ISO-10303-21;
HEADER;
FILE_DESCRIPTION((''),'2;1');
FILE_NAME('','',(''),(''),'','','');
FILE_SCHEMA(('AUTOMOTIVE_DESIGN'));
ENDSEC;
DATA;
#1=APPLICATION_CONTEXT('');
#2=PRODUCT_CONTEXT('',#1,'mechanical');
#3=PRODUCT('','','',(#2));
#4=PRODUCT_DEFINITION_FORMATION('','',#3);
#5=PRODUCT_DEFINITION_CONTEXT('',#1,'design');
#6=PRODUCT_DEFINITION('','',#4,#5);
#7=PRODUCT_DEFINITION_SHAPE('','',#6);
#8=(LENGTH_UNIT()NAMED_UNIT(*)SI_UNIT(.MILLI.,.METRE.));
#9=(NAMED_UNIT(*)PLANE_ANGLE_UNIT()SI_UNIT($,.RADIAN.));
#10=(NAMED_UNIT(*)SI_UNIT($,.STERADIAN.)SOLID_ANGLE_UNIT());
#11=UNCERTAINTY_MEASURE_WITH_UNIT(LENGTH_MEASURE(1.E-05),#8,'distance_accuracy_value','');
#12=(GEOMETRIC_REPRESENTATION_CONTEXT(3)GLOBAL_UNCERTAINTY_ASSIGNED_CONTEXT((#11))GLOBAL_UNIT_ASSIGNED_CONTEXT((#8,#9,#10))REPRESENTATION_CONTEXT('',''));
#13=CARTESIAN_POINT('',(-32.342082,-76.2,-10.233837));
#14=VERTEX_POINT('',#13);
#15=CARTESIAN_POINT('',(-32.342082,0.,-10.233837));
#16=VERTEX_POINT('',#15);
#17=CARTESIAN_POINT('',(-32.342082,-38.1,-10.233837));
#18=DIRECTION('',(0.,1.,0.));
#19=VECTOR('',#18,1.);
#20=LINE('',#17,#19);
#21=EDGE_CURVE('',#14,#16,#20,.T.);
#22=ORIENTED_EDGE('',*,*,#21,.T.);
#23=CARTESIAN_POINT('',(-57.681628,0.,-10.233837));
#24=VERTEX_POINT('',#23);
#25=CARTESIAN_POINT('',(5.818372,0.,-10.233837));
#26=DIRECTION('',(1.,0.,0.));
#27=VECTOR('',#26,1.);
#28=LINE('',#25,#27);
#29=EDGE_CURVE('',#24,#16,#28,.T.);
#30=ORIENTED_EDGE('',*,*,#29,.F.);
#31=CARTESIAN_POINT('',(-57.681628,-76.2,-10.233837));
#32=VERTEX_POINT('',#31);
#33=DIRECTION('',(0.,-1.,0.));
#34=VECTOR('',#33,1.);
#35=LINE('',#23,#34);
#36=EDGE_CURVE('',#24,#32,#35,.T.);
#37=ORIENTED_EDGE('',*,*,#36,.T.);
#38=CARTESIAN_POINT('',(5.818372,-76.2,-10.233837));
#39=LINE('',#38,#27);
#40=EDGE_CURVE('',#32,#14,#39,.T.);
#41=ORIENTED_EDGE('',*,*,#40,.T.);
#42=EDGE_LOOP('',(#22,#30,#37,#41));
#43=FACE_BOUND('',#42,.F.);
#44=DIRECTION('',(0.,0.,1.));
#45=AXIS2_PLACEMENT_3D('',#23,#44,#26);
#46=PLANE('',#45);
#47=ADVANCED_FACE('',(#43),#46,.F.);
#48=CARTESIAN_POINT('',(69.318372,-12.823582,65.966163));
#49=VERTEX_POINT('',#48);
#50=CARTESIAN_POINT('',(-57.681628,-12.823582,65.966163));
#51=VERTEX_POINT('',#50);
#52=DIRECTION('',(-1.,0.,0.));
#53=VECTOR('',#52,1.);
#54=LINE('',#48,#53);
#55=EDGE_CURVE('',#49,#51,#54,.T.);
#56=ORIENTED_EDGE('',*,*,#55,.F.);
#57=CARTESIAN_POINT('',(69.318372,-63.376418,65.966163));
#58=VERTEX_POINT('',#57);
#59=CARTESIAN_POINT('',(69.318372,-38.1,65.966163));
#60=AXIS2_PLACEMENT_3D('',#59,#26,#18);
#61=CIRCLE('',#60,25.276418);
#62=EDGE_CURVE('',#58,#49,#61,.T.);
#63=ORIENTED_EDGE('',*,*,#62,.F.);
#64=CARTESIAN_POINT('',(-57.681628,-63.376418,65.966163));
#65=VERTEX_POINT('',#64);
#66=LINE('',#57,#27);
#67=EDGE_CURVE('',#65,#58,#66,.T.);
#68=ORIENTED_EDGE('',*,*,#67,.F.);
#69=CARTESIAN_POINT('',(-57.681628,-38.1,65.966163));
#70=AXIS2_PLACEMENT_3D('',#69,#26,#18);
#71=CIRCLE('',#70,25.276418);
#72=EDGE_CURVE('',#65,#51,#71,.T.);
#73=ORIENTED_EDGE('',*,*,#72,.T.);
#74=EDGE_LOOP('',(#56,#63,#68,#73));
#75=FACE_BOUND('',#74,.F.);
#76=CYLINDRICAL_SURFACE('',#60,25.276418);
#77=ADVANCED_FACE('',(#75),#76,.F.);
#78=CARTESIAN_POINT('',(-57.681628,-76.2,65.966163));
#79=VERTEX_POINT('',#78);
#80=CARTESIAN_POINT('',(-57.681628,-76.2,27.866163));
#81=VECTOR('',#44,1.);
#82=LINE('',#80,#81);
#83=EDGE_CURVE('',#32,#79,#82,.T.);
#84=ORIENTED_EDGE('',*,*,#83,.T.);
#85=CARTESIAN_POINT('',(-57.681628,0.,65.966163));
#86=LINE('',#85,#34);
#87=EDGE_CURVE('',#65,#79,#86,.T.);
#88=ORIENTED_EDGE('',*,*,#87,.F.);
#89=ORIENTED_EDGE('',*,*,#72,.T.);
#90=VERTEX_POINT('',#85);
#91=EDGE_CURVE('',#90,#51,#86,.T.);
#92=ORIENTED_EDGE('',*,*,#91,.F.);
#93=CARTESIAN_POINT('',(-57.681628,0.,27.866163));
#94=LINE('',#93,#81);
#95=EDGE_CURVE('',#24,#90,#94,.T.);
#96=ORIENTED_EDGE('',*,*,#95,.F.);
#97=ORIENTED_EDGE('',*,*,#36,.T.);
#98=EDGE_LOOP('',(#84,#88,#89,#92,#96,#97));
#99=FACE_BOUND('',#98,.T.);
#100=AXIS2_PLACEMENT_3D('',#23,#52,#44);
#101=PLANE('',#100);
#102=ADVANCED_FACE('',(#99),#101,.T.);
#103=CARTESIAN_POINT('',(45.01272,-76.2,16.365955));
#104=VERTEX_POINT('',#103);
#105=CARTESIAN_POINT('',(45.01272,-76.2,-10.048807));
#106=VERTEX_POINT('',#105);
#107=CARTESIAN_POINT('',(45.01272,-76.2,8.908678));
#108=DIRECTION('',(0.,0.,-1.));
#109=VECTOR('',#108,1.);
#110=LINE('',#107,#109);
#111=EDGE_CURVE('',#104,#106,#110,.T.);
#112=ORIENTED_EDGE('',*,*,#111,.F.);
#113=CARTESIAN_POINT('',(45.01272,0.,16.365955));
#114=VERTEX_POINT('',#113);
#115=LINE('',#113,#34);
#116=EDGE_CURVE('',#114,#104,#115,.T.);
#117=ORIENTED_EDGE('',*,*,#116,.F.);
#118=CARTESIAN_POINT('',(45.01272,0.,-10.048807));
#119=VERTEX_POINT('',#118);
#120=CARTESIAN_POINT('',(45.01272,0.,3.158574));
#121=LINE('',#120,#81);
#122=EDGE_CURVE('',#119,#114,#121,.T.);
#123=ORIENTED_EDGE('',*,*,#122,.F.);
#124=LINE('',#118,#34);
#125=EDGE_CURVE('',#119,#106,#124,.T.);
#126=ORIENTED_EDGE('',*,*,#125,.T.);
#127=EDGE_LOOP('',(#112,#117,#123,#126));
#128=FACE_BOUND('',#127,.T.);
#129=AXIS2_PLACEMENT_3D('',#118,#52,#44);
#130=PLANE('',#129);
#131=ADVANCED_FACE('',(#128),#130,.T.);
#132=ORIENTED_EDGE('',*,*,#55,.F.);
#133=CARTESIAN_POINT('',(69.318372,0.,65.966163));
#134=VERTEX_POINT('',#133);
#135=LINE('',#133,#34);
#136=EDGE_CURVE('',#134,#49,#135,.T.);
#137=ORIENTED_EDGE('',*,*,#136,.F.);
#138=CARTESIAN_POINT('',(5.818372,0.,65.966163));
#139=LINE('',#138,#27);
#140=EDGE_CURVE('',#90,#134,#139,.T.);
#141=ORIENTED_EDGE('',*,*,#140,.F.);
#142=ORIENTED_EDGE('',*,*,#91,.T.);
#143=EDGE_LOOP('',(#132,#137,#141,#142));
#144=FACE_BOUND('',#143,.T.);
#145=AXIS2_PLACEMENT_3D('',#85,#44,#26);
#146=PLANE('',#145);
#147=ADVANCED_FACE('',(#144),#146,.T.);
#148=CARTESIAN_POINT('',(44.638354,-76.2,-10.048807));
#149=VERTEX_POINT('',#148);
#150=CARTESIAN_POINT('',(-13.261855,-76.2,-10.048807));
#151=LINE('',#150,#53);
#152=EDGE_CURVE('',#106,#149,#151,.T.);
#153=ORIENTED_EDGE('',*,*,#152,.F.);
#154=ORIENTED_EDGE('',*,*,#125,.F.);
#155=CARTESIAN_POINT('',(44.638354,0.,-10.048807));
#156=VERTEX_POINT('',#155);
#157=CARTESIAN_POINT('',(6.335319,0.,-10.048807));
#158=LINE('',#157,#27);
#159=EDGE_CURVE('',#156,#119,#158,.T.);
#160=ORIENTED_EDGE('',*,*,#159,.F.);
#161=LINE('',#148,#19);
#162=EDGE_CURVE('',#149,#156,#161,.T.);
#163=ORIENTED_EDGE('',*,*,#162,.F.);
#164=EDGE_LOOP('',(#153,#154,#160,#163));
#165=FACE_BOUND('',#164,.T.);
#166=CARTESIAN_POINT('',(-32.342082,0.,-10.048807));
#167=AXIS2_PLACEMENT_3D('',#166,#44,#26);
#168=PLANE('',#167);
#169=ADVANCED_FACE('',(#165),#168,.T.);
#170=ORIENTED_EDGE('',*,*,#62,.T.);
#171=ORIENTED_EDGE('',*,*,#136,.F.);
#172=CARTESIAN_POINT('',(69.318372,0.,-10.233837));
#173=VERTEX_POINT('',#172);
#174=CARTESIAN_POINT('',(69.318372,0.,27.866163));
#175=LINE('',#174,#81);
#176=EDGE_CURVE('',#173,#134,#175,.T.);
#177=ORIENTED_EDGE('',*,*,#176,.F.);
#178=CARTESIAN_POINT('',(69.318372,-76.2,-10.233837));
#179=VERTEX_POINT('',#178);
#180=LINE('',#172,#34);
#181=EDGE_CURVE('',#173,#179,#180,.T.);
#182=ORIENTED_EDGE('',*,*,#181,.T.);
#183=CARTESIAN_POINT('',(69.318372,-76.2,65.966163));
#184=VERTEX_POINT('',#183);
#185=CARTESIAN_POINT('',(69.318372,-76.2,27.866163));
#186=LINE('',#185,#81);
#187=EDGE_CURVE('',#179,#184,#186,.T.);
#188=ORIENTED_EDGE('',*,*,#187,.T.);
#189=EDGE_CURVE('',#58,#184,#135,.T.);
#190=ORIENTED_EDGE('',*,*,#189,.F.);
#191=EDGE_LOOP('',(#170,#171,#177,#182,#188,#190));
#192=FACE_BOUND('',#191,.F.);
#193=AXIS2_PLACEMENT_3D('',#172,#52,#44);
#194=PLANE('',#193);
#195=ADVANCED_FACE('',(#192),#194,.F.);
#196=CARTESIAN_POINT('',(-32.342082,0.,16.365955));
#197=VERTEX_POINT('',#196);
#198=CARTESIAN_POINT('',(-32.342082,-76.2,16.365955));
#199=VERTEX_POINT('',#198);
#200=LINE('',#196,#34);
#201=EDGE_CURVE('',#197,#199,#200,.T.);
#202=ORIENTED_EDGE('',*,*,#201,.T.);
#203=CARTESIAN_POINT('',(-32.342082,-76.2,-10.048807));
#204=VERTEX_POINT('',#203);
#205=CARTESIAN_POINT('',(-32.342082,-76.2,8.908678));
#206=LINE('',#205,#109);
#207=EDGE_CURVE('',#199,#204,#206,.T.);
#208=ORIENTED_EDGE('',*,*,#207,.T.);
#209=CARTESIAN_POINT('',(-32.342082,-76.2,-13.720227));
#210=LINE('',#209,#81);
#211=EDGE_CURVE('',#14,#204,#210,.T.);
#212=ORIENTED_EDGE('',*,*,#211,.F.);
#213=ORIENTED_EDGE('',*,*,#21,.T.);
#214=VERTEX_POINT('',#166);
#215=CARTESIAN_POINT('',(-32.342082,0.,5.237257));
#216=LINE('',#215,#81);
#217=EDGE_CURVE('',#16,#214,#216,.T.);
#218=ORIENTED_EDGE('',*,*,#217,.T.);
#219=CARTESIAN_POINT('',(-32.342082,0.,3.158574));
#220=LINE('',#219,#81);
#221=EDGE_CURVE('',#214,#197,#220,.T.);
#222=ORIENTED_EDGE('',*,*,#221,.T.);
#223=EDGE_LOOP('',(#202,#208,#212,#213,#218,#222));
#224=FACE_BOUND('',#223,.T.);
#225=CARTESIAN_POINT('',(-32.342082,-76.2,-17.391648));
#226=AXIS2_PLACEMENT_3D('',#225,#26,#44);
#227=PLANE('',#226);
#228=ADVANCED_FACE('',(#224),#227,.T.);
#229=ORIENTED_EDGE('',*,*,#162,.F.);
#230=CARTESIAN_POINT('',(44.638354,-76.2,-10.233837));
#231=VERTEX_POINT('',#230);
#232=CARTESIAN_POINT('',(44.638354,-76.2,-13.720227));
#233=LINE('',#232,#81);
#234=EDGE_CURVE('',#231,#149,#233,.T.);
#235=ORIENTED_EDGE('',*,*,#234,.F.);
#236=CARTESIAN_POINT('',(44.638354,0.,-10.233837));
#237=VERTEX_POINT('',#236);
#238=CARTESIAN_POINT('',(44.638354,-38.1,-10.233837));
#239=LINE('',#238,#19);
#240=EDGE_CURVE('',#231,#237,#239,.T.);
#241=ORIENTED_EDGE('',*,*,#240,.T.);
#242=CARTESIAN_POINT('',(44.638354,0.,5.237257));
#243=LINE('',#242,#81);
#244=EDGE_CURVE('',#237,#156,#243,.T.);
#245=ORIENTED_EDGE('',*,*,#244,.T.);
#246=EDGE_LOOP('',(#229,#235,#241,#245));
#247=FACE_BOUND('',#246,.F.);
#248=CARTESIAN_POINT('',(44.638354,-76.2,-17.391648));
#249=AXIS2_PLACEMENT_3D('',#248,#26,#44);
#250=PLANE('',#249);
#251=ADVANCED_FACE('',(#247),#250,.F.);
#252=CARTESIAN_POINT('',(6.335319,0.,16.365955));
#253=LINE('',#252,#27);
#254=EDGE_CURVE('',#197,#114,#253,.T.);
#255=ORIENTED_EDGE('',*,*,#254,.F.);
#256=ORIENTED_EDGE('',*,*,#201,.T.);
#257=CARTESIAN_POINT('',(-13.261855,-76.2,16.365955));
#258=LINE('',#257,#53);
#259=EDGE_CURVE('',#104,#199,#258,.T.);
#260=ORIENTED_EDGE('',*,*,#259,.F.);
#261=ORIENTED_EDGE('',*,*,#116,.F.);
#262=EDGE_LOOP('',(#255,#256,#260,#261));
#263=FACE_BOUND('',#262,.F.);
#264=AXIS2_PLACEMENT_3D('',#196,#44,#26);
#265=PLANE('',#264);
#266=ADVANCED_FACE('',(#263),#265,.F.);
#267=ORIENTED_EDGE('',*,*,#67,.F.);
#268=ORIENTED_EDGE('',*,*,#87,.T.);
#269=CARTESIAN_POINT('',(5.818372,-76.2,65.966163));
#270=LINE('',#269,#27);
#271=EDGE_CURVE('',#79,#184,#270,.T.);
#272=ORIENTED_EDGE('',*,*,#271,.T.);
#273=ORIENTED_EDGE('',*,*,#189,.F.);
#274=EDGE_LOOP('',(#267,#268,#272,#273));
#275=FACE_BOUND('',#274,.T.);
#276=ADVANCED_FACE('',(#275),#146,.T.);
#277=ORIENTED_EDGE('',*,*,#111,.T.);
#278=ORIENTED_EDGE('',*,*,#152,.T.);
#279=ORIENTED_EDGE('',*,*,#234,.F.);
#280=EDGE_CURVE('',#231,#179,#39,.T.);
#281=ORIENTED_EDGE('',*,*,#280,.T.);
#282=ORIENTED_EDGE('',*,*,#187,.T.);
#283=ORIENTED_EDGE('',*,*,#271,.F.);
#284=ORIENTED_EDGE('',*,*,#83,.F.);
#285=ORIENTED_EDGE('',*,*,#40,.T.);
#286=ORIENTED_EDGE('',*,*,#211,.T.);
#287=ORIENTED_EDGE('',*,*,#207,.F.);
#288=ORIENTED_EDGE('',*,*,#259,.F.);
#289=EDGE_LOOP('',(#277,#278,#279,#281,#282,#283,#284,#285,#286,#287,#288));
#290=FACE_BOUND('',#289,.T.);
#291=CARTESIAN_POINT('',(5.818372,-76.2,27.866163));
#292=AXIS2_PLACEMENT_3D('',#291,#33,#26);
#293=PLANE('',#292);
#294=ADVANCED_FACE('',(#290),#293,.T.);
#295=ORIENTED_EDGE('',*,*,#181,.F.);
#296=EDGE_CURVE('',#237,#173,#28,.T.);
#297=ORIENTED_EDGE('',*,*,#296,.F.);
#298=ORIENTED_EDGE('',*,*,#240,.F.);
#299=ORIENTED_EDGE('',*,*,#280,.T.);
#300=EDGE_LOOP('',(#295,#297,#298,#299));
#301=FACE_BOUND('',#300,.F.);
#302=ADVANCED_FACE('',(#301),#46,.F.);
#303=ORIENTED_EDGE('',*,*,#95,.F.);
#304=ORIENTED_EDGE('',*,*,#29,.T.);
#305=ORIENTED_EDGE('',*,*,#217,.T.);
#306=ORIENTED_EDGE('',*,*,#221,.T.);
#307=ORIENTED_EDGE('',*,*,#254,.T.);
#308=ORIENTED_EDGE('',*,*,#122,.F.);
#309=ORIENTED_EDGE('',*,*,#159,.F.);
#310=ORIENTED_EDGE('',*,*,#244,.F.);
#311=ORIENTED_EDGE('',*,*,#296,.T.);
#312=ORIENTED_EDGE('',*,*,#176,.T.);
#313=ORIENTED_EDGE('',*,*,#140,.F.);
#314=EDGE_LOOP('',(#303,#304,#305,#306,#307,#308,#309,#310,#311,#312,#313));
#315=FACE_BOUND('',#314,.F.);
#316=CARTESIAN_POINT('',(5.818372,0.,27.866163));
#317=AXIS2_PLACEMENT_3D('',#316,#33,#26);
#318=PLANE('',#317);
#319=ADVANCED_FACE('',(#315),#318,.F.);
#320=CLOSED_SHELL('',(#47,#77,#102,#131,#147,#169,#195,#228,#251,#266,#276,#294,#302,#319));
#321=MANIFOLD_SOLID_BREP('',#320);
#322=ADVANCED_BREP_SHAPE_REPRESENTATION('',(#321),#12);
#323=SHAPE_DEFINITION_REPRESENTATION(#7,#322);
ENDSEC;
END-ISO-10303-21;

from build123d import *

# Parameters (mm, degrees)
F0_W     = 127
F0_H     = 76.2
F2_DEPTH = 76.2
F3_W     = 77.3548015118
F3_H     = 26.4147613198
F4_DEPTH = 88.138
F5_W     = 76.9804359138
F5_H     = 7.3428414762
F6_DEPTH = 93.98
F7_R     = 25.2764175419
F8_DEPTH = 142.494


with BuildPart() as f2:
    # F0 (on Front) → F2 (new body)
    with BuildSketch(Plane.XZ):
        with Locations((5.8183724284, 27.8661628202)):
            Rectangle(F0_W, F0_H)
    extrude(amount=F2_DEPTH)

    # F3 (on Front) → F4 (cut)
    with BuildSketch(Plane.XZ):
        with Locations((6.3353191733, 3.1585739926)):
            Rectangle(F3_W, F3_H)
    extrude(amount=F4_DEPTH, mode=Mode.SUBTRACT)

    # F5 (on face) → F6 (cut)
    with BuildSketch(Plane.XZ.offset(76.2)):
        with Locations((6.1481363744, -13.7202274054)):
            Rectangle(F5_W, F5_H)
    extrude(amount=-F6_DEPTH, mode=Mode.SUBTRACT)

    # F7 (on face) → F8 (cut)
    with BuildSketch(Plane.YZ.offset(69.3183724284)):
        with Locations((-38.1, 65.9661628202)):
            Circle(F7_R)
    extrude(amount=-F8_DEPTH, mode=Mode.SUBTRACT)


solid = f2.part
